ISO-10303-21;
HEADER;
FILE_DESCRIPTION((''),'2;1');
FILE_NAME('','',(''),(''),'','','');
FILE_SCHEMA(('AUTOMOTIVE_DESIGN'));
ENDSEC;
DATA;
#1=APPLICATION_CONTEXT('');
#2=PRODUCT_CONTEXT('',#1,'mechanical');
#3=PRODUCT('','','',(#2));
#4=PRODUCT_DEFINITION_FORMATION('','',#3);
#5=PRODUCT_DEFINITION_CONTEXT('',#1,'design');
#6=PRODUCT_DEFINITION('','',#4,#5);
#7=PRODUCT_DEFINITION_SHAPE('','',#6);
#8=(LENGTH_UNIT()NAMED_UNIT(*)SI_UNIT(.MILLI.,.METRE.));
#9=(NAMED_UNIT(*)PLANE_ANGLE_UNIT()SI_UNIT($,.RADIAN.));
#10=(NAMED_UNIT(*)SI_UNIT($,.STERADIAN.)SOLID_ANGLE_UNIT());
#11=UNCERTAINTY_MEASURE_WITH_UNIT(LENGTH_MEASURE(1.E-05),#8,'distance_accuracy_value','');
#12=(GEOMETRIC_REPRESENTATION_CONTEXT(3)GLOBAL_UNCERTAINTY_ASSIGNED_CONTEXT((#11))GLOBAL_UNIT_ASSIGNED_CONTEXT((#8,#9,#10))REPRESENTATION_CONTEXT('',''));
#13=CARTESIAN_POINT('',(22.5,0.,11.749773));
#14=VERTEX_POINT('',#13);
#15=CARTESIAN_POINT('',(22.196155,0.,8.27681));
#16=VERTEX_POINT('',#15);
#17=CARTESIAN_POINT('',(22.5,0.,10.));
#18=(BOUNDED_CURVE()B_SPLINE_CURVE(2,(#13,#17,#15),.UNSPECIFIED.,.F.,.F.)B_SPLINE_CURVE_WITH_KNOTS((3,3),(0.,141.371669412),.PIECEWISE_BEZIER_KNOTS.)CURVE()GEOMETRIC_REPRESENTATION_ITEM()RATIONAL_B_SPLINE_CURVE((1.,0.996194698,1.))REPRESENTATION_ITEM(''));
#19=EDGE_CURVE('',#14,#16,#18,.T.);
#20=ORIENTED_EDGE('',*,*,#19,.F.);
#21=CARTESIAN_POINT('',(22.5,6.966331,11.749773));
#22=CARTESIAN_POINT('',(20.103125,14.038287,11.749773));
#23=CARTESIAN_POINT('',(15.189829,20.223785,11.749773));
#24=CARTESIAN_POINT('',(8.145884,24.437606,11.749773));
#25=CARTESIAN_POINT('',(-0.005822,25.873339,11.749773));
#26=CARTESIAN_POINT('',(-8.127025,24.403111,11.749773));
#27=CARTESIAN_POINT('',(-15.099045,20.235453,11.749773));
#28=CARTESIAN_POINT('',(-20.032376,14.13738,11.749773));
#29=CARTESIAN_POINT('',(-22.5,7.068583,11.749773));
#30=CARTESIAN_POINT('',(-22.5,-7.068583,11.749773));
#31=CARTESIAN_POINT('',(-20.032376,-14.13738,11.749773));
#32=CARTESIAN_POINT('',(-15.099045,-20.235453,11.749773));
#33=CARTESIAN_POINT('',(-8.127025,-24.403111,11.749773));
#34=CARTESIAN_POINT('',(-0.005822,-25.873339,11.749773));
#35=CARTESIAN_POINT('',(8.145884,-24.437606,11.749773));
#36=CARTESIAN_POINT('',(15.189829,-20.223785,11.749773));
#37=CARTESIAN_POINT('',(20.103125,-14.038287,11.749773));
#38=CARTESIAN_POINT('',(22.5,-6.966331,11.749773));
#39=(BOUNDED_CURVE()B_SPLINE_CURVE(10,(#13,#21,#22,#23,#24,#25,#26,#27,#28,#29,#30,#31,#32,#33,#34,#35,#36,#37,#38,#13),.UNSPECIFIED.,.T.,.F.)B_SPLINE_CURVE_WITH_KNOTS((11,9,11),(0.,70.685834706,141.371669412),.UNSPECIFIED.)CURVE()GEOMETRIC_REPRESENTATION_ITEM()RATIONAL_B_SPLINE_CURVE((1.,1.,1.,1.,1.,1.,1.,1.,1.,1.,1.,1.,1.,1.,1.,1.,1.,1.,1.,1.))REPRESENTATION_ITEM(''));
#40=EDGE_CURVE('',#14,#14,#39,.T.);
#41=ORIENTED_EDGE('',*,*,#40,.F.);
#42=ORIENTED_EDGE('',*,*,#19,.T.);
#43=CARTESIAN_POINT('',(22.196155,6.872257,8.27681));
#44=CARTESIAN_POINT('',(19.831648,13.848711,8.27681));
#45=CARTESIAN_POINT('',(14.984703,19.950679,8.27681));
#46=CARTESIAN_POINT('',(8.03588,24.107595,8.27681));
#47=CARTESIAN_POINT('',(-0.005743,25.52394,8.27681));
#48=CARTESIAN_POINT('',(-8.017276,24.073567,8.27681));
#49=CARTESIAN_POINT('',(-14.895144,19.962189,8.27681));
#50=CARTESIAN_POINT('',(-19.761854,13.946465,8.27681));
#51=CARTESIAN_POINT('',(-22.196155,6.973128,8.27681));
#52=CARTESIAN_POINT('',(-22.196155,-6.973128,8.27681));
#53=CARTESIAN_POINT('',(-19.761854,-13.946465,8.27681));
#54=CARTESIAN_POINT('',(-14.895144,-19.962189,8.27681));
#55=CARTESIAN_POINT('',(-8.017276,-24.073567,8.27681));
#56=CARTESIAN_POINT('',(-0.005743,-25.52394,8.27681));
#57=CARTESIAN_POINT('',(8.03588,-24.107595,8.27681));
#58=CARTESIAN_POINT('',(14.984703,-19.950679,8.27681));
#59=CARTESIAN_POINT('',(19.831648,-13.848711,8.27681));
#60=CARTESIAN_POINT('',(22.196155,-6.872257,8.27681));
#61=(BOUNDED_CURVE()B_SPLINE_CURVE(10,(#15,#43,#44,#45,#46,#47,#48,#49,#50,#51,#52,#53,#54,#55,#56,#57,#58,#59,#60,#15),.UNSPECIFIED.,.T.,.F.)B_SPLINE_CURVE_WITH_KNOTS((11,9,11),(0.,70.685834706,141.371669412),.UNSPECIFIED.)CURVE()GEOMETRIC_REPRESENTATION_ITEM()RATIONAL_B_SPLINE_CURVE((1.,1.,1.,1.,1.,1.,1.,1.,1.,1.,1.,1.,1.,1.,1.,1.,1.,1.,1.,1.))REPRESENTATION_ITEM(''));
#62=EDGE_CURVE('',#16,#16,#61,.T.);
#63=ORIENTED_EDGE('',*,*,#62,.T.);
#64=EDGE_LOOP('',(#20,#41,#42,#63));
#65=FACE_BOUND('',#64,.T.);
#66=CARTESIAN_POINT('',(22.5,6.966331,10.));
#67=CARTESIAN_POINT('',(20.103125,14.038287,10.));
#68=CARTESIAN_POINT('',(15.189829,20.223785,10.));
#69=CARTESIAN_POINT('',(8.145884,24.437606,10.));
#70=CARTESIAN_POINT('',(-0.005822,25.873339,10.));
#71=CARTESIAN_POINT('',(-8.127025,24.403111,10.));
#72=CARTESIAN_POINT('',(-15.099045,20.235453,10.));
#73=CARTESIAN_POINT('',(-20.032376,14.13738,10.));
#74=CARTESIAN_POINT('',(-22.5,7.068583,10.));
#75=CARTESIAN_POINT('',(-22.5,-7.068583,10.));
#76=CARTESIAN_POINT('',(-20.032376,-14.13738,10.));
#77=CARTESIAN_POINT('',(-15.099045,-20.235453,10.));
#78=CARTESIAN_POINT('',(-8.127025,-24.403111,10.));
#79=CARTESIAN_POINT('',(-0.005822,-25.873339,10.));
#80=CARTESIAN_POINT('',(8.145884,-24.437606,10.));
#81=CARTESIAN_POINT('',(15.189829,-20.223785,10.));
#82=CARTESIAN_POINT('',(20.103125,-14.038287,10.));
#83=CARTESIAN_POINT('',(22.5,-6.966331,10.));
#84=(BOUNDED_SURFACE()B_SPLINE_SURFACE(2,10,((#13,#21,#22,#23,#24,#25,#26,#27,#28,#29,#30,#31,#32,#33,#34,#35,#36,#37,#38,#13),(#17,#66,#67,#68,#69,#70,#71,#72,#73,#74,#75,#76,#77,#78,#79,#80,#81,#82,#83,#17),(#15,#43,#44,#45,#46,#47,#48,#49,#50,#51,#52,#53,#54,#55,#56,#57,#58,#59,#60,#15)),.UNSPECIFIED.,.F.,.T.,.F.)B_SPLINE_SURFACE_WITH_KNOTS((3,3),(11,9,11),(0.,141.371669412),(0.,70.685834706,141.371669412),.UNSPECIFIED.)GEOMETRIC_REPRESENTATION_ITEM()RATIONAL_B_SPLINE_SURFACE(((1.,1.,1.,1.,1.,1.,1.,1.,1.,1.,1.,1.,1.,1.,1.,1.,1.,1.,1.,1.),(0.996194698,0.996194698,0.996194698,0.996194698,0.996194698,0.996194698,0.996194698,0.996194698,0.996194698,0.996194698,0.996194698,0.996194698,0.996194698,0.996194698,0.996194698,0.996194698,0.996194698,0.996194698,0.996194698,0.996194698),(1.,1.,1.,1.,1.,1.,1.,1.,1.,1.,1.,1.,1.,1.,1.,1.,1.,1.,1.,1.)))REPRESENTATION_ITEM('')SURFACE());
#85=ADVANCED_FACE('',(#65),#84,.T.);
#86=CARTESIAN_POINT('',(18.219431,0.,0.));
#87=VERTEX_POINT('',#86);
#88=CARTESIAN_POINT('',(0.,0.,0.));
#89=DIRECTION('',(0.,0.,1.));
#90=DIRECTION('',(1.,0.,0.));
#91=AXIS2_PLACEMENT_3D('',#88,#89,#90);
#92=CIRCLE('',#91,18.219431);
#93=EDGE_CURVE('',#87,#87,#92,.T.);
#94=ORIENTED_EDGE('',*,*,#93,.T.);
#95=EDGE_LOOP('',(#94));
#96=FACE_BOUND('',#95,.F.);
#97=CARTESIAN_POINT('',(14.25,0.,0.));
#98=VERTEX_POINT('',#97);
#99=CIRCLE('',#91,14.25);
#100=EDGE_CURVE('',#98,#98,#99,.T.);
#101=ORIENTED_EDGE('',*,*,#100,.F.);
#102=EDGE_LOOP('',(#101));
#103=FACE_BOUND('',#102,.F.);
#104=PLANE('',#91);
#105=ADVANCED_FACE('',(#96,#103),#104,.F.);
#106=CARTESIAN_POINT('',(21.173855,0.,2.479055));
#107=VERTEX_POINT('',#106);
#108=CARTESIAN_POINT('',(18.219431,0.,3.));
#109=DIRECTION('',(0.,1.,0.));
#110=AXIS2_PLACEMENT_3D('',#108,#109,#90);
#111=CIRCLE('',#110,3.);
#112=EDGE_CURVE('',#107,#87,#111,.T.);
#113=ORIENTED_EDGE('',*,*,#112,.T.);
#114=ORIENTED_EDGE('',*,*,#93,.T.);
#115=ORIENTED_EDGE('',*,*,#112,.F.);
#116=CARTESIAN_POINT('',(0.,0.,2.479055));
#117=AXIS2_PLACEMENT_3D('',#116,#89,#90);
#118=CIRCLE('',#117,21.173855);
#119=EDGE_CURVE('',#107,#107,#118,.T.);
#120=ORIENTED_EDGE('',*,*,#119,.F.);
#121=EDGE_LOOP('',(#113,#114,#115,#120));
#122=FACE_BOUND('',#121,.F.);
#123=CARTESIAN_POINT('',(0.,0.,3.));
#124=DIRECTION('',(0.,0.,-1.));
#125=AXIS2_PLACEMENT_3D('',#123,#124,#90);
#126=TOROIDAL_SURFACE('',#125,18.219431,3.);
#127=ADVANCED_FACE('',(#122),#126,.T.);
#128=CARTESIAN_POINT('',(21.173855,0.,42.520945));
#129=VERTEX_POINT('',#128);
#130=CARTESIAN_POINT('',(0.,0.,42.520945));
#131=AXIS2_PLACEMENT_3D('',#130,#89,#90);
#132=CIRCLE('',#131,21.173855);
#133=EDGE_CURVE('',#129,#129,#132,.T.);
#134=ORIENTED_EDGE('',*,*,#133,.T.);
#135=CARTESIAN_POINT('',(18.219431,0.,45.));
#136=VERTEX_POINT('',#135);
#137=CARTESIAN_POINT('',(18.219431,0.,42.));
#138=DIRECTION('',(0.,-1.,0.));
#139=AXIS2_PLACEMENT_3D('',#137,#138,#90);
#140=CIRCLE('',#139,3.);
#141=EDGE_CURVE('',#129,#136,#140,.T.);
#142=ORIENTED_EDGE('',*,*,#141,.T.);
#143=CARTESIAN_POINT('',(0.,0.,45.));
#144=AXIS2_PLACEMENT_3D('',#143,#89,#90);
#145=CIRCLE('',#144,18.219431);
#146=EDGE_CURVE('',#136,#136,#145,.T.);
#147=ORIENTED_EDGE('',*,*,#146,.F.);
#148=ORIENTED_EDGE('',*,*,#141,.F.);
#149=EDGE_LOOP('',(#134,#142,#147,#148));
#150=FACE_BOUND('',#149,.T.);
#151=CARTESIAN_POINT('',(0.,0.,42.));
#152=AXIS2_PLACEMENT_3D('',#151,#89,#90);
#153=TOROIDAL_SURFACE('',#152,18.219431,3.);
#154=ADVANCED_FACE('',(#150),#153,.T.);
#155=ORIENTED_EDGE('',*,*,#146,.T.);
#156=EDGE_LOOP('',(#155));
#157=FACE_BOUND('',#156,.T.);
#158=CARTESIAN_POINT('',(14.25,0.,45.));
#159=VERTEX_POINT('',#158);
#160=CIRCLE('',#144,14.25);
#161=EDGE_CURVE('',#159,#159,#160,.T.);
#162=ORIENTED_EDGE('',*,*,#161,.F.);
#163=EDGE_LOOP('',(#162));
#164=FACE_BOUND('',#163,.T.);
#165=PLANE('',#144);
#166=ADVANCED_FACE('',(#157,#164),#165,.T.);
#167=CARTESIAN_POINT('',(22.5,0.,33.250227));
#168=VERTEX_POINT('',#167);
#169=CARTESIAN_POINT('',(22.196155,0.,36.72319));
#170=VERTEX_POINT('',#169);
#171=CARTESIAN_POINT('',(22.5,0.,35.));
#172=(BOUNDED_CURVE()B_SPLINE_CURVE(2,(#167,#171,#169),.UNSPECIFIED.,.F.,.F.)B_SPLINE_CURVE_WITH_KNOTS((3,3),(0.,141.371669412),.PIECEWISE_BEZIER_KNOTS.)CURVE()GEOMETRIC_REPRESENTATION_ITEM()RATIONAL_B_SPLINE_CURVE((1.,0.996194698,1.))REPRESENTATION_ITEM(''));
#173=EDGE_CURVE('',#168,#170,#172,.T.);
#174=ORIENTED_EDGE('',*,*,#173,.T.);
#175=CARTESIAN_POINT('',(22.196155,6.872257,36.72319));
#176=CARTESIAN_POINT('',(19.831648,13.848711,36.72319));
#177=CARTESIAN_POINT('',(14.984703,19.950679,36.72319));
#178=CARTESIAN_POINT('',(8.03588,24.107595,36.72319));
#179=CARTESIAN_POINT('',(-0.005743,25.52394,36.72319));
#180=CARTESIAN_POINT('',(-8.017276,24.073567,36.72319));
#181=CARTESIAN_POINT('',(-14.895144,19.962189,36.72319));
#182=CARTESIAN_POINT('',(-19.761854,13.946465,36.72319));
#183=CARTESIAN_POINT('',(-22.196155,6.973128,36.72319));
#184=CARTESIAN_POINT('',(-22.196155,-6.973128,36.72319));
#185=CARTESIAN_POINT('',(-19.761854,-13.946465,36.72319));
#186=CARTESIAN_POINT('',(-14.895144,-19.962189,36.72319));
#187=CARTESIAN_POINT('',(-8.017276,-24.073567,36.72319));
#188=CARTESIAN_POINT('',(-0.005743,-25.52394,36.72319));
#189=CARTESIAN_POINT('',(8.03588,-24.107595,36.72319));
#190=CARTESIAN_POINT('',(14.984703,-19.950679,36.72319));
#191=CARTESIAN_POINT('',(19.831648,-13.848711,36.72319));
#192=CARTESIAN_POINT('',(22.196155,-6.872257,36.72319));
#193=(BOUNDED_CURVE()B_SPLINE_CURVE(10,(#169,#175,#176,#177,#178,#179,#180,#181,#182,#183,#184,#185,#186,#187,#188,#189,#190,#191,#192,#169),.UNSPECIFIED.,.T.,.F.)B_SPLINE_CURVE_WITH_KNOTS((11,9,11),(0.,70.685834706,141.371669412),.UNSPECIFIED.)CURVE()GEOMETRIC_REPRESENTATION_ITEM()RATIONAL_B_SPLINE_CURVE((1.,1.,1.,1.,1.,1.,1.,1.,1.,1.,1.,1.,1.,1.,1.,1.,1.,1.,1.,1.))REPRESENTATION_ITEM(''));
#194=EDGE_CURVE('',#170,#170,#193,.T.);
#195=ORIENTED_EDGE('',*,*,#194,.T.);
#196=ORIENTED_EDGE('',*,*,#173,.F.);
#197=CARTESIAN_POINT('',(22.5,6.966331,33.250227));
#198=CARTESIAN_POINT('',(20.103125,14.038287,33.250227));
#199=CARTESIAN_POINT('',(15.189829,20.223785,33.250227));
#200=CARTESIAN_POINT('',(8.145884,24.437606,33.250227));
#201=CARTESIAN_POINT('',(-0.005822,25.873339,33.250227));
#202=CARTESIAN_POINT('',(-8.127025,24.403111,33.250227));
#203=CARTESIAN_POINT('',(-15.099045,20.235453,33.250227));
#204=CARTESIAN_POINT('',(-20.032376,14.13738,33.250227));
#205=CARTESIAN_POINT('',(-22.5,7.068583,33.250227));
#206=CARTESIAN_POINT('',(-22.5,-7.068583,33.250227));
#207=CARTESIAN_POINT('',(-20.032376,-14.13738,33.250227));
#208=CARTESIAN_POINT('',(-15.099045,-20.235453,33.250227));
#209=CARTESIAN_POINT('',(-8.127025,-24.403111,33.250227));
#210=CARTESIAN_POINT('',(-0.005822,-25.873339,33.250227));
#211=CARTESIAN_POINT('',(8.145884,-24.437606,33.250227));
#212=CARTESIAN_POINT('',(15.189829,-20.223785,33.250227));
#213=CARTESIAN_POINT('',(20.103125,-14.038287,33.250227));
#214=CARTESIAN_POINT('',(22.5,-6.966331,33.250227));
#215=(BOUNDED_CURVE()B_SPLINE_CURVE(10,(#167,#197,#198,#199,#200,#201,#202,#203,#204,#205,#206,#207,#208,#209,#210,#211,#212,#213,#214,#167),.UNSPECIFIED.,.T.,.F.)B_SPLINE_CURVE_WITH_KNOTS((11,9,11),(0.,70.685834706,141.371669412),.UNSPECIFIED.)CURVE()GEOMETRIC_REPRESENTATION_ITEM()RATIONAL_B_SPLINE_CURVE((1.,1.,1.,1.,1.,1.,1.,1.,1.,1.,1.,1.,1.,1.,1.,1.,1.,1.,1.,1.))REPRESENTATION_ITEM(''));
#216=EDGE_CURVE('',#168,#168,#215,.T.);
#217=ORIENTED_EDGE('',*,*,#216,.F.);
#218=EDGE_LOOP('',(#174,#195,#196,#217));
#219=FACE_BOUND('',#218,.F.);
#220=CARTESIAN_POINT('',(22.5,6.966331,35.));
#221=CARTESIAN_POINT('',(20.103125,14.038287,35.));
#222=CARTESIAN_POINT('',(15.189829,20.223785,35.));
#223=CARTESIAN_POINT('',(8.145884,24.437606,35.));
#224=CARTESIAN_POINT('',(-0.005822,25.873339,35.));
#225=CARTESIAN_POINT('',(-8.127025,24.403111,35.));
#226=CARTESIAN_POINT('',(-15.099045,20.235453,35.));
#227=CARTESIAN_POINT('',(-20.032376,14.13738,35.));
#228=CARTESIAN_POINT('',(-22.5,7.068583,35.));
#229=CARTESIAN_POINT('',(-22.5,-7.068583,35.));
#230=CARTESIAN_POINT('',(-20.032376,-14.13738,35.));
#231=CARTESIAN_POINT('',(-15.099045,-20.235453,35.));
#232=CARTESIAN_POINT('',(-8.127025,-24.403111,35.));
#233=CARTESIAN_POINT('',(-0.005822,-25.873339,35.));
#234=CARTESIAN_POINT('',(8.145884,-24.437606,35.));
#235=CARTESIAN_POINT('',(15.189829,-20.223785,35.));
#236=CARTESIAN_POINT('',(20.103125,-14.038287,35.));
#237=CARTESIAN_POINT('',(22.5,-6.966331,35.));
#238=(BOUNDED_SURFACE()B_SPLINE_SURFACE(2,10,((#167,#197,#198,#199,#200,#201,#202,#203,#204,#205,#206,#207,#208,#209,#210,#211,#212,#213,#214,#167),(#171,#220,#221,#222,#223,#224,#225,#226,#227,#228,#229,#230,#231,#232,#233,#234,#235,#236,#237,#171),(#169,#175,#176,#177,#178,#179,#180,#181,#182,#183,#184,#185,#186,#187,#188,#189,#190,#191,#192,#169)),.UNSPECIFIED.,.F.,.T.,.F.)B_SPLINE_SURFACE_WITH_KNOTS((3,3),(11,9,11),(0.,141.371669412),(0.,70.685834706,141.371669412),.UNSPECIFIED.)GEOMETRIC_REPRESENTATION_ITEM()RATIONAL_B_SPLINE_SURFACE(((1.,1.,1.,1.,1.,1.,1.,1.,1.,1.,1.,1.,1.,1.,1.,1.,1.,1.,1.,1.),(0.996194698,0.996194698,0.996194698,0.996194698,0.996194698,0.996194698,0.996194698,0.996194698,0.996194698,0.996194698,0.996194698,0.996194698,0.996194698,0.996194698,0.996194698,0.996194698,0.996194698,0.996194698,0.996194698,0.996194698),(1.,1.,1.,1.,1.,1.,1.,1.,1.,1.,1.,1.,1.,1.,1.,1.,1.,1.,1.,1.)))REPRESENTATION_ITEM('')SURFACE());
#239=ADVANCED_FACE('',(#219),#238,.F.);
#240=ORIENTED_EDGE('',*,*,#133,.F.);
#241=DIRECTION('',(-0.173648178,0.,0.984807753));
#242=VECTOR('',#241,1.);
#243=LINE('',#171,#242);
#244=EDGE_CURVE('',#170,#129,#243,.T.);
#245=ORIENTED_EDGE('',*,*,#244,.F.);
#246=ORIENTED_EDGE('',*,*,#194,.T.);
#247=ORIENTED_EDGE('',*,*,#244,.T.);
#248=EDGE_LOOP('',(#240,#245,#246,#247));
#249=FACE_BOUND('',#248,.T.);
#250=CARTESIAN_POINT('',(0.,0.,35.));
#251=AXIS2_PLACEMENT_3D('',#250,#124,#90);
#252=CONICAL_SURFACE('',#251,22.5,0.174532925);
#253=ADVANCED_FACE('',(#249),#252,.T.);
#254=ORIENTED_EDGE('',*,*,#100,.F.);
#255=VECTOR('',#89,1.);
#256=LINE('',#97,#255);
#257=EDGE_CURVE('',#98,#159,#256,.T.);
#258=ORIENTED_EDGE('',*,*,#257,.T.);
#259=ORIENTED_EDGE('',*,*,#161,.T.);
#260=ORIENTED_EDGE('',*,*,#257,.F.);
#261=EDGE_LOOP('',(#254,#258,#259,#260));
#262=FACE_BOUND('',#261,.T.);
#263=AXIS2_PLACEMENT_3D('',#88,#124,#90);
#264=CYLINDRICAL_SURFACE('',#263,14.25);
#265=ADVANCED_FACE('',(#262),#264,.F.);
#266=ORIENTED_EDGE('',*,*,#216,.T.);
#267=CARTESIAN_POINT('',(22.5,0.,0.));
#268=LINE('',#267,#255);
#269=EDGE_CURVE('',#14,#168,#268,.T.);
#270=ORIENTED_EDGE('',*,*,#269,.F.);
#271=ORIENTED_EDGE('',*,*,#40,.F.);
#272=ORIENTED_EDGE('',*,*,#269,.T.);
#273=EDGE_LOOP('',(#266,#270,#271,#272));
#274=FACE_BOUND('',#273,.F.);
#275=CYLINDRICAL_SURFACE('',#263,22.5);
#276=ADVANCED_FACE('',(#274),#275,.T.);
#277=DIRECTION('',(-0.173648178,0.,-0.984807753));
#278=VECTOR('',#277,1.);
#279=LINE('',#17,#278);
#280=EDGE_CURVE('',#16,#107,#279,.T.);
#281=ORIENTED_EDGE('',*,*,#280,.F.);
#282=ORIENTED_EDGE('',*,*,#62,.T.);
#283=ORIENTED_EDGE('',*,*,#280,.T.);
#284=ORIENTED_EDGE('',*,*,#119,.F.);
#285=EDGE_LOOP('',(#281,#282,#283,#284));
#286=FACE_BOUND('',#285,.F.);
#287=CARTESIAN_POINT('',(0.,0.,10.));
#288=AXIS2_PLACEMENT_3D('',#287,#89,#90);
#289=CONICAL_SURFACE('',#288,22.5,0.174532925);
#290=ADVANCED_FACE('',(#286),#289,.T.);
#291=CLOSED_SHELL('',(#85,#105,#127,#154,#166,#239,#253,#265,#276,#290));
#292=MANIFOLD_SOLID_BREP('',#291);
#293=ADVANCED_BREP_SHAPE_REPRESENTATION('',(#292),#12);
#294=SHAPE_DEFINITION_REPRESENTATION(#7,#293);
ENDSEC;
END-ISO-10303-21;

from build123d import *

# Parameters (mm, degrees)
F0_R     = 22.5
F0_R_2   = 14.25
F1_DEPTH = 45
F2_SIZE2 = 1.7632698071
F2_SIZE  = 10
F3_R     = 20
F4_R     = 3


with BuildPart() as f1:
    # F0 (on Top) → F1 (new body)
    with BuildSketch(Plane.XY):
        Circle(F0_R)
        Circle(F0_R_2, mode=Mode.SUBTRACT)
    extrude(amount=F1_DEPTH)

    # F2
    f2_edges = [f1.edges().sort_by_distance(p)[0] for p in [
        (-22.5, 0, 0),
        (-22.5, 0, 45),
    ]]
    f2_side = f1.faces().sort_by_distance((-22.5, 0, 22.5))[0]
    chamfer(f2_edges, length=F2_SIZE, length2=F2_SIZE2, reference=f2_side)

    # F3
    f3_edges = [f1.edges().sort_by_distance(p)[0] for p in [
        (22.5, 0, 22.5),
        (-22.5, 0, 10),
        (-22.5, 0, 35),
    ]]
    fillet(f3_edges, radius=F3_R)

    # F4
    f4_edges = [f1.edges().sort_by_distance(p)[0] for p in [
        (-20.73673, 0, 45),
        (-20.73673, 0, 0),
    ]]
    fillet(f4_edges, radius=F4_R)


solid = f1.part
